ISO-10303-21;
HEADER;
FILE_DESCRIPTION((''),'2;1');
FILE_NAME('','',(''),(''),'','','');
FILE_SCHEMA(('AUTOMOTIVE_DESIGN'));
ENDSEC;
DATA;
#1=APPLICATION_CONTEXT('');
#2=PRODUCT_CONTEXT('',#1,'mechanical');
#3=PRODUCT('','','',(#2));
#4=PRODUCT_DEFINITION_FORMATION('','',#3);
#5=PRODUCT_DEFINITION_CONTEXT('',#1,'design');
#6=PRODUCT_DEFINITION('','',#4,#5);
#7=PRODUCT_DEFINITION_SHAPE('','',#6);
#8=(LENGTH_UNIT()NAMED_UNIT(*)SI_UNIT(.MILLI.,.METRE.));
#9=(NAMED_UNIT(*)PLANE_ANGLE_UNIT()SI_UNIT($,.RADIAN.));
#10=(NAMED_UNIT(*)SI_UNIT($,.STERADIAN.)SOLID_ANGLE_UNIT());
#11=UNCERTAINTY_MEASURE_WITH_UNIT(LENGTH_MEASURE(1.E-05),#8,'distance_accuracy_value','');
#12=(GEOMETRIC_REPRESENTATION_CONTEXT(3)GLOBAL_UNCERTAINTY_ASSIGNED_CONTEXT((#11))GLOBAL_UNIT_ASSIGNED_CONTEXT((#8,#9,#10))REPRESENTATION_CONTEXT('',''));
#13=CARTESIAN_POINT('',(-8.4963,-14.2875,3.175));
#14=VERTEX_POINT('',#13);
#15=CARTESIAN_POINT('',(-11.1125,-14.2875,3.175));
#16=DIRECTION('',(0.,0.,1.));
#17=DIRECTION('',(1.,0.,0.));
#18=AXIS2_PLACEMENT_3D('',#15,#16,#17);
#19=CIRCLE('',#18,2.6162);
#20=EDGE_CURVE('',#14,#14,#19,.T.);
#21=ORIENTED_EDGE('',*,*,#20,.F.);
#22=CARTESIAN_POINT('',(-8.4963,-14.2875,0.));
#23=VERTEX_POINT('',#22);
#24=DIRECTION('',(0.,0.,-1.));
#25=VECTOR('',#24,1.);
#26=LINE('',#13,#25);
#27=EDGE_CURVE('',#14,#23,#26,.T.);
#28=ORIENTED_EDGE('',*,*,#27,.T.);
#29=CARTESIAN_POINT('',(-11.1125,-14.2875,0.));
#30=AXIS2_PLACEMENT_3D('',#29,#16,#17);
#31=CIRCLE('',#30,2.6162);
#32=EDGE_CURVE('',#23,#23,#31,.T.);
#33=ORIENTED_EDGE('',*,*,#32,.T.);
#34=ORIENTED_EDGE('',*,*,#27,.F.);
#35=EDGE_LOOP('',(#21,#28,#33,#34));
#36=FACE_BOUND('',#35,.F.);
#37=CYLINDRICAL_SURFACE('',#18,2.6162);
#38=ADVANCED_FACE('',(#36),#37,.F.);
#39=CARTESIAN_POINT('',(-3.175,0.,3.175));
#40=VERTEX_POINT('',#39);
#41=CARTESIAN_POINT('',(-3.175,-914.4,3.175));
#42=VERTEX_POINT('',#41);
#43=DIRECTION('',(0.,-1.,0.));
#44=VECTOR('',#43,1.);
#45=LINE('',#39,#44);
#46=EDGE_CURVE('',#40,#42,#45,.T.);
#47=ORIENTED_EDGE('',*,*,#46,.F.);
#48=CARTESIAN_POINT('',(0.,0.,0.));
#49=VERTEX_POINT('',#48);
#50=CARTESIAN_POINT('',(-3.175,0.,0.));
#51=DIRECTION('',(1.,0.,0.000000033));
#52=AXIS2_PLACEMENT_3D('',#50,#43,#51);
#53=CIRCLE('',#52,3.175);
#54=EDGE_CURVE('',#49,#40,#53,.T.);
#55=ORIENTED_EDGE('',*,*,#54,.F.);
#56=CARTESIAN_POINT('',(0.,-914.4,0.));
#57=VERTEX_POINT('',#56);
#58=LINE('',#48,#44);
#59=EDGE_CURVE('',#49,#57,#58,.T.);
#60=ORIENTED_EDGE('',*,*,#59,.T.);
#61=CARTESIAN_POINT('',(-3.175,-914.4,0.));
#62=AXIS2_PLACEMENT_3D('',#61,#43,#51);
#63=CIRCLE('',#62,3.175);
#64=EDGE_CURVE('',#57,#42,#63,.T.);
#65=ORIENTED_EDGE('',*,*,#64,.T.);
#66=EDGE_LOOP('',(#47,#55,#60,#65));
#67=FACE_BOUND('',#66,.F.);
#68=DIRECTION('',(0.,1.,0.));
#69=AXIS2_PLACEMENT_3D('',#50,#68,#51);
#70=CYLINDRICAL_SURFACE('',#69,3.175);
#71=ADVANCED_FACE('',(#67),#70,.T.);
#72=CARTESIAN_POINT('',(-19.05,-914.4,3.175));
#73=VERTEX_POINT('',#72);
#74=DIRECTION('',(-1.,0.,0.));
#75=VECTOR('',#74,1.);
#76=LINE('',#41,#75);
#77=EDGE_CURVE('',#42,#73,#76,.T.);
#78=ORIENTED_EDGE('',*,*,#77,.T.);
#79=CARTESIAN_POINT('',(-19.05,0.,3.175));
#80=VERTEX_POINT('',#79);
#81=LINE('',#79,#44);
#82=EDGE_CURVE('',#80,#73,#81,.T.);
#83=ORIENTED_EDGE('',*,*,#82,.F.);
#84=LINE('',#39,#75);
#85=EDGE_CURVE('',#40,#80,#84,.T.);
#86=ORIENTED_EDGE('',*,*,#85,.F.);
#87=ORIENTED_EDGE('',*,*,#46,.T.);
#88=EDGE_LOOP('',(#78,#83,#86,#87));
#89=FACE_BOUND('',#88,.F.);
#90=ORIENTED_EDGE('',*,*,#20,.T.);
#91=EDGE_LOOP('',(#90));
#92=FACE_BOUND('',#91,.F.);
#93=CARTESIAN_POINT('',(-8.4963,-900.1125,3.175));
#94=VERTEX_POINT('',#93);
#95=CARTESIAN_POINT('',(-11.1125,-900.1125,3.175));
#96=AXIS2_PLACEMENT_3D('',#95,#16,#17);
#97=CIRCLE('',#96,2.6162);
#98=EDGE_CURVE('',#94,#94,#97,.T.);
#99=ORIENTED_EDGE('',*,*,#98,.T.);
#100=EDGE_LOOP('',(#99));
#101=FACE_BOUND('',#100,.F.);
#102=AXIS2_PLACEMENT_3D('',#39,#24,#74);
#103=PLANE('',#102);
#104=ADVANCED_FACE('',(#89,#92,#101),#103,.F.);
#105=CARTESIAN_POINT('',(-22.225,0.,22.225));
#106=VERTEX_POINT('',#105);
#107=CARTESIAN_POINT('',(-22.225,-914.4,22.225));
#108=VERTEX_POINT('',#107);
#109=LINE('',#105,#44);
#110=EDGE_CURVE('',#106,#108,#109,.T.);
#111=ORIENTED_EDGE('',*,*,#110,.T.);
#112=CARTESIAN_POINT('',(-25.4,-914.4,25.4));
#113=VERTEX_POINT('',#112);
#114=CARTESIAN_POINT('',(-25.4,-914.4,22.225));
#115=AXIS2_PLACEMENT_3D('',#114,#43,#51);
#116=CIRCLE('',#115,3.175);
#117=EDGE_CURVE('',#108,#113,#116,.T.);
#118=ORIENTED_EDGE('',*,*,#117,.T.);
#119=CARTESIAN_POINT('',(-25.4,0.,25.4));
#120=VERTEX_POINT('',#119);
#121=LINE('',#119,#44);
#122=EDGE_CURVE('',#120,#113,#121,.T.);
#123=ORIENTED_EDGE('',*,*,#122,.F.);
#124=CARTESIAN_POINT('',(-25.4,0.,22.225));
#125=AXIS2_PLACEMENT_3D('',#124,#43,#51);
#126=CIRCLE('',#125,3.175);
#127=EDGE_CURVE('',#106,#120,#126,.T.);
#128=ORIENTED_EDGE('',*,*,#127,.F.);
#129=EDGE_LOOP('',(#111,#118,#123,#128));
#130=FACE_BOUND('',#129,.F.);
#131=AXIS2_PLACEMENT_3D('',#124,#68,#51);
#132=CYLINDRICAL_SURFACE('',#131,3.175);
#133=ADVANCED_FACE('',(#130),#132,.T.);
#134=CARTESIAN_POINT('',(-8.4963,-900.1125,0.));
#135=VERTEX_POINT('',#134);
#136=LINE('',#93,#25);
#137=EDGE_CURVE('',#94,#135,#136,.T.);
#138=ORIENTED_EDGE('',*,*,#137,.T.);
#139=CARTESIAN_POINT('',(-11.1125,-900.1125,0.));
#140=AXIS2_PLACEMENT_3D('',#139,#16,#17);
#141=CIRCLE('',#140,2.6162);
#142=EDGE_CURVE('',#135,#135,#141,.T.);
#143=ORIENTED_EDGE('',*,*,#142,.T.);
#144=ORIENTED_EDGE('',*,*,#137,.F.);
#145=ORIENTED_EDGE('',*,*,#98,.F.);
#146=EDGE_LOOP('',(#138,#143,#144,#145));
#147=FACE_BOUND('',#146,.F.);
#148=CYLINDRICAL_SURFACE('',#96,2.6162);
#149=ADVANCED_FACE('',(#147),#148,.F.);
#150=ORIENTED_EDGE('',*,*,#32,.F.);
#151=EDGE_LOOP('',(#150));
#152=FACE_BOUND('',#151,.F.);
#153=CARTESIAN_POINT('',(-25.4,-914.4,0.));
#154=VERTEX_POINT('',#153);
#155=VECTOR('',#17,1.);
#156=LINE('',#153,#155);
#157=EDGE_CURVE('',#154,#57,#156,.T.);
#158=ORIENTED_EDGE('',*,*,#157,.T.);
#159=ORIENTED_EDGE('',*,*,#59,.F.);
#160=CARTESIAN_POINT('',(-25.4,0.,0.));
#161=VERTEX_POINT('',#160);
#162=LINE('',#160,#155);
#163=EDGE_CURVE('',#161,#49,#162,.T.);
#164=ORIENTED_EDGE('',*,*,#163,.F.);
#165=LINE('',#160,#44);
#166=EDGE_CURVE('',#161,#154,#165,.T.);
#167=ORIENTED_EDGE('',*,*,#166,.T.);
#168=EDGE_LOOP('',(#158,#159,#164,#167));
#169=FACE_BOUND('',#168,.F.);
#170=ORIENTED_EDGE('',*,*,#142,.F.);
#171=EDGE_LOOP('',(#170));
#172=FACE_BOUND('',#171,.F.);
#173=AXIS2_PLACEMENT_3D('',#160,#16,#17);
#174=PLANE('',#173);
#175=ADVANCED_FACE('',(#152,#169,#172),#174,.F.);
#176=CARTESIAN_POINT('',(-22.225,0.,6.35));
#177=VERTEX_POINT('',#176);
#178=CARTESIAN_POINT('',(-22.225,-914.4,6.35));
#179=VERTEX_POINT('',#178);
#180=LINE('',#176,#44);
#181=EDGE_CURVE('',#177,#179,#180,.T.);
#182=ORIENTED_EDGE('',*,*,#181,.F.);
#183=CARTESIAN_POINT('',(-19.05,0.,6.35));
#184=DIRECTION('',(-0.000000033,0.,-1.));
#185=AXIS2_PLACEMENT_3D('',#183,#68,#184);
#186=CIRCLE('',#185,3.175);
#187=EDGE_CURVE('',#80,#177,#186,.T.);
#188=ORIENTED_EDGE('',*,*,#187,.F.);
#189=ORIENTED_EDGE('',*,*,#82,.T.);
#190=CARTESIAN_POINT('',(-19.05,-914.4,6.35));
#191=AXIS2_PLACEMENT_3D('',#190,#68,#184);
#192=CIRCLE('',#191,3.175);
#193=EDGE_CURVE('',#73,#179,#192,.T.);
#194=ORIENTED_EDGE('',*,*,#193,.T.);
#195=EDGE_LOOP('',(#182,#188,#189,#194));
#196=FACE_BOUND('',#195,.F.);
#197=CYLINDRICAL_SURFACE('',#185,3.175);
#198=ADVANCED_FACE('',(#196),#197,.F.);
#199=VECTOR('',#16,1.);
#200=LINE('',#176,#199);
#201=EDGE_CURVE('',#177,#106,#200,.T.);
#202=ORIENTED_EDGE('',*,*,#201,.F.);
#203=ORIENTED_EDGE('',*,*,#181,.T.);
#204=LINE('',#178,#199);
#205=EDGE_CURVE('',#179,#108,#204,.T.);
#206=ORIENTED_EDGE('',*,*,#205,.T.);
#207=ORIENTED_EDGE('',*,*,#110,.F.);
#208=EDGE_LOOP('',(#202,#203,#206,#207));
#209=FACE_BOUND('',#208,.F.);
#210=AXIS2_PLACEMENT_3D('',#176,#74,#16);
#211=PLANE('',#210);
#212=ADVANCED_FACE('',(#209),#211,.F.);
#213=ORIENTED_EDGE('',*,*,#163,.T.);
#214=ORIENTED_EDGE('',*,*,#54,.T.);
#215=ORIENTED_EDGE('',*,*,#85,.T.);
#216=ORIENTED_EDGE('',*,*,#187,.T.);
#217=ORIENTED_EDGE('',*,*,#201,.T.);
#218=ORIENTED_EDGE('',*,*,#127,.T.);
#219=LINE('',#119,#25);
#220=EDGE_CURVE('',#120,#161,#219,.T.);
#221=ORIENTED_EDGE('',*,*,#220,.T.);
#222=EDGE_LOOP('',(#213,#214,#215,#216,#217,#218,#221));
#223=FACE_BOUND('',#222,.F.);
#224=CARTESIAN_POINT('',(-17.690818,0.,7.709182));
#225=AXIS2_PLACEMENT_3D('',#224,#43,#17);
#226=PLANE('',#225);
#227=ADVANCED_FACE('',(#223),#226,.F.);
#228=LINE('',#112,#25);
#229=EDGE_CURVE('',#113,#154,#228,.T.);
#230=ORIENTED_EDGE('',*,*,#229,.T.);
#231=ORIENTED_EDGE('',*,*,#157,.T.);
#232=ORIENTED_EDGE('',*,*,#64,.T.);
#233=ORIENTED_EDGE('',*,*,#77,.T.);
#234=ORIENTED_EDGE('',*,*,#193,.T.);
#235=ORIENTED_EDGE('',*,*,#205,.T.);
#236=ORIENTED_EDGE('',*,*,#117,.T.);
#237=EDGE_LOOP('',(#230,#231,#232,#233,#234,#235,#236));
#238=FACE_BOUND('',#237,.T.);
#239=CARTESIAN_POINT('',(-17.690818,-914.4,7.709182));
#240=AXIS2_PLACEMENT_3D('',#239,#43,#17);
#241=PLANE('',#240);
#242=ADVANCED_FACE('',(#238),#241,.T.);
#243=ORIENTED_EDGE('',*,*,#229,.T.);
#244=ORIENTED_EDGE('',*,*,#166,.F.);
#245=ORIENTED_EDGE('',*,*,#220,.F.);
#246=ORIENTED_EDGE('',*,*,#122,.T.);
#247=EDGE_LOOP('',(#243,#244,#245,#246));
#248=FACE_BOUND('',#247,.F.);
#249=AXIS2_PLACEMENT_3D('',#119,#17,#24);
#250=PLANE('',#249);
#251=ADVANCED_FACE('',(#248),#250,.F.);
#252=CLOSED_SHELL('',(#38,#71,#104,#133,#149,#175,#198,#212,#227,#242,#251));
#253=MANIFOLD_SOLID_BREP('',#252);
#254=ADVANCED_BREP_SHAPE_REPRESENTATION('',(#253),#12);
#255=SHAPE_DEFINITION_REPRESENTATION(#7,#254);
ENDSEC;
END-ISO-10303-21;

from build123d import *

# Parameters (mm, degrees)
F1_DEPTH = 914.4
F2_R     = 2.6162
F3_DEPTH = 3.176


with BuildPart() as f1:
    # F0 (on Front) → F1 (new body)
    with BuildSketch(Plane.XZ):
        with BuildLine():
            Line((-25.4, 0), (0, 0))
            ThreePointArc((0, 0), (-0.929936, 2.245064), (-3.175, 3.175))
            Line((-3.175, 3.175), (-19.05, 3.175))
            ThreePointArc((-19.05, 3.175), (-21.295064, 4.104936), (-22.225, 6.35))
            Line((-22.225, 6.35), (-22.225, 22.225))
            ThreePointArc((-22.225, 22.225), (-23.154936, 24.470064), (-25.4, 25.4))
            Line((-25.4, 25.4), (-25.4, 0))
        make_face()
    extrude(amount=F1_DEPTH)

    # F2 (on face) → F3 (cut, through all)
    with BuildSketch(Plane.XY.offset(3.175)):
        with Locations((-11.1125, -900.1125)):
            Circle(F2_R)
        with Locations((-11.1125, -14.2875)):
            Circle(F2_R)
    extrude(amount=-F3_DEPTH, mode=Mode.SUBTRACT)


solid = f1.part
